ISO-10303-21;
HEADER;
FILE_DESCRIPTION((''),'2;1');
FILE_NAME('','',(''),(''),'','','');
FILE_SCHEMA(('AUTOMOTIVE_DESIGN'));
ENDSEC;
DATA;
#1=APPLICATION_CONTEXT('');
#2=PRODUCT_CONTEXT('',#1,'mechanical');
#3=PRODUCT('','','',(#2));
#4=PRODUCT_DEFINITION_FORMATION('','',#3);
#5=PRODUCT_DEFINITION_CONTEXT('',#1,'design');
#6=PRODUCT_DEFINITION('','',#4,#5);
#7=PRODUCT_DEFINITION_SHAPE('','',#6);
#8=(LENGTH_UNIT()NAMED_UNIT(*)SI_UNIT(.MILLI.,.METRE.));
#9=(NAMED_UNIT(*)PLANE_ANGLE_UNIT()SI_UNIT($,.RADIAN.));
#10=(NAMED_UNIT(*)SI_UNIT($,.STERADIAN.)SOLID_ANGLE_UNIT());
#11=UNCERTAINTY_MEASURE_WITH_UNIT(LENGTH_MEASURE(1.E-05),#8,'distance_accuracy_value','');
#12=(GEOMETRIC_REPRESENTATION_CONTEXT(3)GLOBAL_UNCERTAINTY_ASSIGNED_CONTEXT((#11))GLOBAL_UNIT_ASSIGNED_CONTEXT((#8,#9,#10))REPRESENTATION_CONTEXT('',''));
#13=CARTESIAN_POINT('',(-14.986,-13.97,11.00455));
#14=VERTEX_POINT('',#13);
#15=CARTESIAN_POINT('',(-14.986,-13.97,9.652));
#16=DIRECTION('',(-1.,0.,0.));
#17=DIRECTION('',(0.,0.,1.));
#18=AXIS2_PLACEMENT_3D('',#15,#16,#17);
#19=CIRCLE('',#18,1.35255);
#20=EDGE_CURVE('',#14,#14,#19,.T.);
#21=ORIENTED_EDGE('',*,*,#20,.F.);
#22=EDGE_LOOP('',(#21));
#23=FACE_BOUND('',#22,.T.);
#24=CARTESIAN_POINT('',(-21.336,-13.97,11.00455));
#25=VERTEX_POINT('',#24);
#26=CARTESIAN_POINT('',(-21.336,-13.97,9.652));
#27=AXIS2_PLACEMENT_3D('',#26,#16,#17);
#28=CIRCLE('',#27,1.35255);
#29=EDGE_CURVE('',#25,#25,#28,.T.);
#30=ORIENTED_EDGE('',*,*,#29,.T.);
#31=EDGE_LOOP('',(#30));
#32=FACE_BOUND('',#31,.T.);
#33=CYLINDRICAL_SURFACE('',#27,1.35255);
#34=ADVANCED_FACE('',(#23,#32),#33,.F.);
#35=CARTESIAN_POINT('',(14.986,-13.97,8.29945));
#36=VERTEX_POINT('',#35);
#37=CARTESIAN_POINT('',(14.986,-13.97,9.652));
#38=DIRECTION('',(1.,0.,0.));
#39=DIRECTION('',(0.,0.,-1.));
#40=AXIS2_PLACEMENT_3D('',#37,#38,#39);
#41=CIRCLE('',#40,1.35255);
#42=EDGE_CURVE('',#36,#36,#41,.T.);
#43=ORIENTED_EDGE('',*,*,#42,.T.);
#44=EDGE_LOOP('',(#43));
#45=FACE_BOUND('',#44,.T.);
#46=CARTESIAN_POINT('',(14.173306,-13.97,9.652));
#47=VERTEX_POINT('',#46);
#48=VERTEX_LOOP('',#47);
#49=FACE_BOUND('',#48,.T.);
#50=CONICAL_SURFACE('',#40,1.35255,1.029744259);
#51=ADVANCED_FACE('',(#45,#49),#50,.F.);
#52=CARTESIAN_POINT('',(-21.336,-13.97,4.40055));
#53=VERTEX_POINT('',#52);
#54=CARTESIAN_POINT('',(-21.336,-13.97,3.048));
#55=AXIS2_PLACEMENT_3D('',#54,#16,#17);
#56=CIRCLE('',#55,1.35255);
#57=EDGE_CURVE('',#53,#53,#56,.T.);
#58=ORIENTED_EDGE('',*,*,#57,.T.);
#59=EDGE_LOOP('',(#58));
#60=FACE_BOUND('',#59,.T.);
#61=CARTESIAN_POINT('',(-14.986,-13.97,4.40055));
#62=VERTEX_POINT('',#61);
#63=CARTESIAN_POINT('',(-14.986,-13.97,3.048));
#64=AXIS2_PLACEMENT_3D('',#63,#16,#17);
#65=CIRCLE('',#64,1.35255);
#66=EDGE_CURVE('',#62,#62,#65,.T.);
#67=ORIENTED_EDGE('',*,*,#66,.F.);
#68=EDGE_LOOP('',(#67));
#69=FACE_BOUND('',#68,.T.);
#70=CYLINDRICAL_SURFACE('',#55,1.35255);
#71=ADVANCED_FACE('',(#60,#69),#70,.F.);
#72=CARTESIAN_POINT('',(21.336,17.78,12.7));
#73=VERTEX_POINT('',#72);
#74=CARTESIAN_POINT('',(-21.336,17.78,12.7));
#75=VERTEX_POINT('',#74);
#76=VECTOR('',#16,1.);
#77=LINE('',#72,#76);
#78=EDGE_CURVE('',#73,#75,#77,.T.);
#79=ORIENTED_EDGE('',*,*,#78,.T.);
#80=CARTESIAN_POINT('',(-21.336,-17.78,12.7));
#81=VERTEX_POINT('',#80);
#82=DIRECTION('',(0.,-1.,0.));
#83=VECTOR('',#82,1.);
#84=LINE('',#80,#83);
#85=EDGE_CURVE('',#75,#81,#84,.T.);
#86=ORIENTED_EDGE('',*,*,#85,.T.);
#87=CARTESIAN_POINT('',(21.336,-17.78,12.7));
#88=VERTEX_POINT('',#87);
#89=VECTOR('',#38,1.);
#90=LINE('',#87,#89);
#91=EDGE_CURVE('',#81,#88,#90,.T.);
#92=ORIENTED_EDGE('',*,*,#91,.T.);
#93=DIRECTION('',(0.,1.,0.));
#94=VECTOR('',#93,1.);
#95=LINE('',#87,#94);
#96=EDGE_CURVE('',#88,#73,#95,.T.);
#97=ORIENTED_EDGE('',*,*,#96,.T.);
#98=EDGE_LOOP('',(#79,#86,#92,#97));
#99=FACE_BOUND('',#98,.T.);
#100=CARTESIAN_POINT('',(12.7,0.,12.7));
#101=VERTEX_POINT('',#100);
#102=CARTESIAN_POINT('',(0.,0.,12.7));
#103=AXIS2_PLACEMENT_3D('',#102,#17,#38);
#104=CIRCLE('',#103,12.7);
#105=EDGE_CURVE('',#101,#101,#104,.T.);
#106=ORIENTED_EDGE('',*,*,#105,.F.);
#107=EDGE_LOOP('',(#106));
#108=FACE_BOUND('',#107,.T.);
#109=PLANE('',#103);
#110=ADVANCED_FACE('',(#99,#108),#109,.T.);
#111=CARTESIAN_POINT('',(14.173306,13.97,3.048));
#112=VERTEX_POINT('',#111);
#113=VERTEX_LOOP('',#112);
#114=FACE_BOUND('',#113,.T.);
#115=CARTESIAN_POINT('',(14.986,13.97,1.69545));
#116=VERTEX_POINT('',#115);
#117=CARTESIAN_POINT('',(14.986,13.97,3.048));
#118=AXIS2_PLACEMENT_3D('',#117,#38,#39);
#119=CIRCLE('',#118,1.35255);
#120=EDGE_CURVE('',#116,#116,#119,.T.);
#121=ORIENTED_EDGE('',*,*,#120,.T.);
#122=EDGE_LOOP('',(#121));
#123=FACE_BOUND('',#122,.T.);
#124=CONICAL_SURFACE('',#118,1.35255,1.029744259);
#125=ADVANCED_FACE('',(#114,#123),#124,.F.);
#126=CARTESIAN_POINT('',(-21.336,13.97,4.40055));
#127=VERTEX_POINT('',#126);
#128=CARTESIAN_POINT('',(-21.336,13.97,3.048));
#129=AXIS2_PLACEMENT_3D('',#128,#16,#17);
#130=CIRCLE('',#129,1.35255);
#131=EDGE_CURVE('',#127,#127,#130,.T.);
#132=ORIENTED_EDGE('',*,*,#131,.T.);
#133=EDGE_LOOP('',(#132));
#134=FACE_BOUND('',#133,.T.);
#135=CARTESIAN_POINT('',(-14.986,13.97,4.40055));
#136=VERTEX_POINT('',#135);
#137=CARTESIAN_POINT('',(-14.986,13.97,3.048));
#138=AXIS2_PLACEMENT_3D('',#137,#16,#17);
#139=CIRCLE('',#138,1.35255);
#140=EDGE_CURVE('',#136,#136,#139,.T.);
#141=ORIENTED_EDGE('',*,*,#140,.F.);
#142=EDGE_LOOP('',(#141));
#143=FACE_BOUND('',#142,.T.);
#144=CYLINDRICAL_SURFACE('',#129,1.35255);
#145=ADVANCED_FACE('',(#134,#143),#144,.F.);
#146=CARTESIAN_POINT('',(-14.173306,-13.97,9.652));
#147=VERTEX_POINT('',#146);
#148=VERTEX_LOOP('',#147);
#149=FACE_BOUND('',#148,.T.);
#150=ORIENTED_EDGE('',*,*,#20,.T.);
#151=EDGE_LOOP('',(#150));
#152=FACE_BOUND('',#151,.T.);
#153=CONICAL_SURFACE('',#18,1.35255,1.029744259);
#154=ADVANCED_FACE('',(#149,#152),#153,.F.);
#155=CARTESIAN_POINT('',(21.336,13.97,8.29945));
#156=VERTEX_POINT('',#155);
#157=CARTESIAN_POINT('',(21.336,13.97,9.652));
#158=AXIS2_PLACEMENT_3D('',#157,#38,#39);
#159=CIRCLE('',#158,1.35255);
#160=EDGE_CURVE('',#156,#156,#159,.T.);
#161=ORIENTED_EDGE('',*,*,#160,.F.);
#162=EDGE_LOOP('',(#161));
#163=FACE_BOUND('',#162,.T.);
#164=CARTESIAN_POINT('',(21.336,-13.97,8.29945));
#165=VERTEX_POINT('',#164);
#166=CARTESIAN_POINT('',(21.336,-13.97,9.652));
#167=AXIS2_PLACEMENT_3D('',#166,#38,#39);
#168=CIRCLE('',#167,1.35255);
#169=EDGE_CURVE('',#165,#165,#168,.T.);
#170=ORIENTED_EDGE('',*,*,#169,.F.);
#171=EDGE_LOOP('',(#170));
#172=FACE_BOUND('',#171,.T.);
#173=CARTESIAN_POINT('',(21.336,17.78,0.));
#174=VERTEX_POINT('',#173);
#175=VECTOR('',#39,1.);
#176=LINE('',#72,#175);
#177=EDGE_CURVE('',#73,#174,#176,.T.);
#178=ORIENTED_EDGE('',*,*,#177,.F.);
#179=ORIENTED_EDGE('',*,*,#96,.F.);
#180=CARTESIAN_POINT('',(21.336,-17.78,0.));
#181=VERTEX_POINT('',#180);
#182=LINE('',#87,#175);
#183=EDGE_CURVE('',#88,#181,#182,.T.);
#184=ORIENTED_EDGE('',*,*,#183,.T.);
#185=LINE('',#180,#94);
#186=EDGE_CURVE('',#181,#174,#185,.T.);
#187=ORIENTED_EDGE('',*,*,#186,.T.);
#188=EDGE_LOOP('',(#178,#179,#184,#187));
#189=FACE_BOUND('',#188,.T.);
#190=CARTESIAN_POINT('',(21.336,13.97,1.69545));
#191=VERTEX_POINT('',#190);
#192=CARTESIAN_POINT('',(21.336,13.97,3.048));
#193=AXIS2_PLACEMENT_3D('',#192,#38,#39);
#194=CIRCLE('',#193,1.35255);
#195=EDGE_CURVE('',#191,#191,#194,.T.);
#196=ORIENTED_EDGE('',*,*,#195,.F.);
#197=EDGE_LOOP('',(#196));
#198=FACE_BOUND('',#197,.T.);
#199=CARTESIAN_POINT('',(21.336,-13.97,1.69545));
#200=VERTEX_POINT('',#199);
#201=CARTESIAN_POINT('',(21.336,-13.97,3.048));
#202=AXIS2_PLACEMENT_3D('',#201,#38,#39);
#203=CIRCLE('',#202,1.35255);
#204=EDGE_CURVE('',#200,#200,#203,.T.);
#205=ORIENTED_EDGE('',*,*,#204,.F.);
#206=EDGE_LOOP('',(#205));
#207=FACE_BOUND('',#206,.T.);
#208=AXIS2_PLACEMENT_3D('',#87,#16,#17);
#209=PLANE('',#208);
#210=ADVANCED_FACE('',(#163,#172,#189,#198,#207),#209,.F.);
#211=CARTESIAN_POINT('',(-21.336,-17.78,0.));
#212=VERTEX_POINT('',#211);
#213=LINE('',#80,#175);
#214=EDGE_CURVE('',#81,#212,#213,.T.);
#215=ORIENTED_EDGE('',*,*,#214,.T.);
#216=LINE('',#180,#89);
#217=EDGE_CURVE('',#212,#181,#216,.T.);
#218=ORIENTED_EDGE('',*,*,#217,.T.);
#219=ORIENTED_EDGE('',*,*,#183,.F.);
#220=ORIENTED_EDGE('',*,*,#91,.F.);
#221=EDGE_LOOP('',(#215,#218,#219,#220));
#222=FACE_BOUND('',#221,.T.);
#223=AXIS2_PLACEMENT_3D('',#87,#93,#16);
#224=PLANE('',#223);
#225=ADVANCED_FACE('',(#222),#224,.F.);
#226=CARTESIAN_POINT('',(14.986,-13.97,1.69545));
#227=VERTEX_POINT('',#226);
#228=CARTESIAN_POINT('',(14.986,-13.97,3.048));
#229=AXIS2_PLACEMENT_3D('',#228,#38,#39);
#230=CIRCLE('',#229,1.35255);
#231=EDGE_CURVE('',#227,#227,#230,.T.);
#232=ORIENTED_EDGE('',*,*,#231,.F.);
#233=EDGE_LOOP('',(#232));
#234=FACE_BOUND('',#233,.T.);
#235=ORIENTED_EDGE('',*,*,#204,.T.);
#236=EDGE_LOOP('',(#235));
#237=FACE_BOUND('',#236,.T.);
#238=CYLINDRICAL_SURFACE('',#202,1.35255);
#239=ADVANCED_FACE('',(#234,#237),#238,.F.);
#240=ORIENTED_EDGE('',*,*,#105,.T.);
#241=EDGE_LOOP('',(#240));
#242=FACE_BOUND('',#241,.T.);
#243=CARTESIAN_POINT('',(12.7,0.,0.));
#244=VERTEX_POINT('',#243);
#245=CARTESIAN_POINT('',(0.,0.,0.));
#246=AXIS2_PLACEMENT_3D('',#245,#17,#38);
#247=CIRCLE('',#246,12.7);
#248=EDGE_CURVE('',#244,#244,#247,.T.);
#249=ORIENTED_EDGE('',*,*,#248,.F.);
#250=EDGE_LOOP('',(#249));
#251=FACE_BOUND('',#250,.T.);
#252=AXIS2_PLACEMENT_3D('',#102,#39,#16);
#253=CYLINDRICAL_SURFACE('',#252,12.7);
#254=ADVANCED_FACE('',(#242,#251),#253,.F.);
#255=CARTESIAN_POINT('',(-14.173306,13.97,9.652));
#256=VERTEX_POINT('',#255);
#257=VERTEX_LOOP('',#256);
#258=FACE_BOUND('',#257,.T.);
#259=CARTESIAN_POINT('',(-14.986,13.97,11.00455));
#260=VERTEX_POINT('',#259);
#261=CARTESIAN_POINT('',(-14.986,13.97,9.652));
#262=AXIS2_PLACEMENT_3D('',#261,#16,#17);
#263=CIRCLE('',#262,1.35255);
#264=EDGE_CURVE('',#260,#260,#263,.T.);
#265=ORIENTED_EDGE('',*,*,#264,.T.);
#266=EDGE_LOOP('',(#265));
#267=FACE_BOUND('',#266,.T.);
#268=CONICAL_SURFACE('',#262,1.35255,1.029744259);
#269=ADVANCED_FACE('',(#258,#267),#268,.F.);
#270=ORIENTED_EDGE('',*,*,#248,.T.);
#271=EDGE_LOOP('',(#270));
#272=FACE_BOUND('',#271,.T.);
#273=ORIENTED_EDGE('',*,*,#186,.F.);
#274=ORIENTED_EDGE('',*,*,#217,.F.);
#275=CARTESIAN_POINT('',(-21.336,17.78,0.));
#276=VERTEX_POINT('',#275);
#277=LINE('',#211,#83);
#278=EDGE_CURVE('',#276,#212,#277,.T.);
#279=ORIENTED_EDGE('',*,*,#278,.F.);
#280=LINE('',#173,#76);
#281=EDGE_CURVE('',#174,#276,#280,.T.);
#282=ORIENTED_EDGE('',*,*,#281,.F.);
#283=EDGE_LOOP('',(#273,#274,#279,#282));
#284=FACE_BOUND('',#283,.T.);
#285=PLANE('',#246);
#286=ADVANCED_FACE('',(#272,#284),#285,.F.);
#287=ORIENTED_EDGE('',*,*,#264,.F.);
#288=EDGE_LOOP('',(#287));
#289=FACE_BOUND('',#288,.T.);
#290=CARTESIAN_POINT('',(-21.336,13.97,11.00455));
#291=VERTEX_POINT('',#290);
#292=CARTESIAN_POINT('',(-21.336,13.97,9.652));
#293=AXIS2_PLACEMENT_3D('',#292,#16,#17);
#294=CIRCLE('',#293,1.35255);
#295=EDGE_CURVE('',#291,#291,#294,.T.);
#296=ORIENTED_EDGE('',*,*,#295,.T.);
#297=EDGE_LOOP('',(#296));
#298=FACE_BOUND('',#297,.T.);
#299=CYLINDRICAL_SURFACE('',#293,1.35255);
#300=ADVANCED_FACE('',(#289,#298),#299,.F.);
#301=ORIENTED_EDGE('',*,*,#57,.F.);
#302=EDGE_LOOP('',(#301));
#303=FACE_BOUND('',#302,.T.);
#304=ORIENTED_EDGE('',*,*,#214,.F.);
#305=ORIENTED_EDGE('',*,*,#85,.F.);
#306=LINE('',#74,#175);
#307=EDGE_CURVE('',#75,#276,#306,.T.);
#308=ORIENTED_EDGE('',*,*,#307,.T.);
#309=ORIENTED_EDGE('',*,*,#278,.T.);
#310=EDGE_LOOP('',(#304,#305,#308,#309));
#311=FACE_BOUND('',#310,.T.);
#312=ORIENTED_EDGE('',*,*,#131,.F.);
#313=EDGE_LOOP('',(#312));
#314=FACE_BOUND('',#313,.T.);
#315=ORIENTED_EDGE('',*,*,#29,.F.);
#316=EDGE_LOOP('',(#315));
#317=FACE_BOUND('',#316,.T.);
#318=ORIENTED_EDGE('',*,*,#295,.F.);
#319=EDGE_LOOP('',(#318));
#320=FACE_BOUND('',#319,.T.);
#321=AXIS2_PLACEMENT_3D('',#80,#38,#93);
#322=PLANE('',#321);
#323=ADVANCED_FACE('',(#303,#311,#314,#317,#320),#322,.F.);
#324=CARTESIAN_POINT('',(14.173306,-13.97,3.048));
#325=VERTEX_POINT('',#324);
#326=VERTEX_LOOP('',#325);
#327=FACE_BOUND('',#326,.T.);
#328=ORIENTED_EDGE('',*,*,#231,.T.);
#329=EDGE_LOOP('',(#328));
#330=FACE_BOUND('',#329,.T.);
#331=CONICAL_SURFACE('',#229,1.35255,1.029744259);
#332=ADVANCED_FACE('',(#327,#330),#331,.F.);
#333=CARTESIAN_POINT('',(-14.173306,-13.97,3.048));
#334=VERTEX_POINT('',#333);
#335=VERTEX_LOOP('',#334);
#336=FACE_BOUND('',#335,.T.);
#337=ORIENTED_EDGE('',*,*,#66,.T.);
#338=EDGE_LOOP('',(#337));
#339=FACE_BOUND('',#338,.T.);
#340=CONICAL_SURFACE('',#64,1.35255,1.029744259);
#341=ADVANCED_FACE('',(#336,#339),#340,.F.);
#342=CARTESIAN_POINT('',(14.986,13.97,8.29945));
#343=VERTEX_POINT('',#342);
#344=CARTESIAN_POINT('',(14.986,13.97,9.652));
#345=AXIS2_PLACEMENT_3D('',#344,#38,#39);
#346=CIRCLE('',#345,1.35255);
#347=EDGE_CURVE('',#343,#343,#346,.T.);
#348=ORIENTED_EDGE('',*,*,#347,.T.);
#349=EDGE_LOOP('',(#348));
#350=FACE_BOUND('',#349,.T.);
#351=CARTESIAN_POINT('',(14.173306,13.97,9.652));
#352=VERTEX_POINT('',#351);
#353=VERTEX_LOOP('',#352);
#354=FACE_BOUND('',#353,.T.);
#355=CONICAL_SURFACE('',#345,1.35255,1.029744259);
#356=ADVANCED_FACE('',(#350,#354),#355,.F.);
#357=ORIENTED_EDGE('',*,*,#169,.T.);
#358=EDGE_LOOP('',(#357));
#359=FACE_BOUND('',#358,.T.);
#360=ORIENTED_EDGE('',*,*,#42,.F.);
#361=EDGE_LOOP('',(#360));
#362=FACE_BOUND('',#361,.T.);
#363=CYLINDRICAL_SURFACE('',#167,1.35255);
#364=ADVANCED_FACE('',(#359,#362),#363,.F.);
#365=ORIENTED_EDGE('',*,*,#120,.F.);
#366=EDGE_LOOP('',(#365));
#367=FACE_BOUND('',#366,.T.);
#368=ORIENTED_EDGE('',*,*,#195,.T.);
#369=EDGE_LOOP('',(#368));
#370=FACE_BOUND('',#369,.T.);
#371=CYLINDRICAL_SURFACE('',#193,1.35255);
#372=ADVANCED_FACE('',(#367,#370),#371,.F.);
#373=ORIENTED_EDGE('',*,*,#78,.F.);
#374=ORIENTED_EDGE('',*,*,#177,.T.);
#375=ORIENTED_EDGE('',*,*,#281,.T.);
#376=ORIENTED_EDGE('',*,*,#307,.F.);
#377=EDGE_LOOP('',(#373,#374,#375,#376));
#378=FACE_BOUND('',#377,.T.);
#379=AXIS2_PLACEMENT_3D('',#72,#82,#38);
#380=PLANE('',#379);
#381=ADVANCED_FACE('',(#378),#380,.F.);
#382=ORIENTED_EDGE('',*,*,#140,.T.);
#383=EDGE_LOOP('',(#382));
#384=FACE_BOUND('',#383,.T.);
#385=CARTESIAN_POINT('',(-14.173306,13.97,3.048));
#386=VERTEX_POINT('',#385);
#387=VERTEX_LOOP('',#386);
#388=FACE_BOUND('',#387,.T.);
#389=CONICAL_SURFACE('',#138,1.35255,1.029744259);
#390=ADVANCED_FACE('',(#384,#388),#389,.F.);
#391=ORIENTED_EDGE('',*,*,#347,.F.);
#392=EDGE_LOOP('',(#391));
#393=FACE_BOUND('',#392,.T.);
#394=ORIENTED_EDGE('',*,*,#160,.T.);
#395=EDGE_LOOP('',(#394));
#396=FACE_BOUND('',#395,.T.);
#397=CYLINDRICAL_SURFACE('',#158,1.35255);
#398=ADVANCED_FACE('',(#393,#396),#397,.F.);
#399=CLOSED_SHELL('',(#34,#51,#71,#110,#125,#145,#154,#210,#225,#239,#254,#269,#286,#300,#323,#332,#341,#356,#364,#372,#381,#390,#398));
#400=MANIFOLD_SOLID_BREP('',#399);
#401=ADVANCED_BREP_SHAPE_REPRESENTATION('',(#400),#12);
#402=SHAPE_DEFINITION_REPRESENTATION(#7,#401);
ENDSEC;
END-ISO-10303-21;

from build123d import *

# Parameters (mm, degrees)
SKETCH2_W                          = 42.672
SKETCH2_H                          = 35.56
SKETCH2_R                          = 12.7
BOSS_EXTRUDE1_DEPTH                = 12.7
TAP_DRILL_FOR_6_32_TAP1_AT_2_COUNT = 2
TAP_DRILL_FOR_6_32_TAP1_AT_2_PITCH = 27.94
TAP_DRILL_FOR_6_32_TAP1_AT_3_COUNT = 2
TAP_DRILL_FOR_6_32_TAP1_AT_3_PITCH = 6.604
TAP_DRILL_FOR_6_32_TAP1_AT_4_COUNT = 2
TAP_DRILL_FOR_6_32_TAP1_AT_4_PITCH = 28.709866179


with BuildPart() as part:
    # Sketch2 → Boss-Extrude1 (new body)
    with BuildSketch(Plane.XY):
        Rectangle(SKETCH2_W, SKETCH2_H)
        Circle(SKETCH2_R, mode=Mode.SUBTRACT)
    extrude(amount=BOSS_EXTRUDE1_DEPTH)

    # Sketch4 → Tap Drill for #6-32 Tap1 (revolve, cut)
    with BuildSketch(Plane(origin=(21.336, 13.97, 3.048), x_dir=(0, 0, -1), z_dir=(0, 1, 0))):
        Polygon((0, 0), (0, 7.16269403), (1.35255, 6.35), (1.35255, 0), align=None)
    tap_drill_for_6_32_tap1 = revolve(axis=Axis((27.686, 13.97, 3.048), (-1, 0, 0)), mode=Mode.SUBTRACT)

    # Tap Drill for #6-32 Tap1 at 2: Tap Drill for #6-32 Tap1 ×2
    with Locations(*[(0, -i * TAP_DRILL_FOR_6_32_TAP1_AT_2_PITCH, 0) for i in range(1, TAP_DRILL_FOR_6_32_TAP1_AT_2_COUNT)]):
        add(tap_drill_for_6_32_tap1, mode=Mode.SUBTRACT)

    # Tap Drill for #6-32 Tap1 at 3: Tap Drill for #6-32 Tap1 ×2
    with Locations(*[(0, 0, i * TAP_DRILL_FOR_6_32_TAP1_AT_3_PITCH) for i in range(1, TAP_DRILL_FOR_6_32_TAP1_AT_3_COUNT)]):
        add(tap_drill_for_6_32_tap1, mode=Mode.SUBTRACT)

    # Tap Drill for #6-32 Tap1 at 4: Tap Drill for #6-32 Tap1 ×2
    with Locations(*[Vector(0, -0.9731846127764102, 0.23002545392896967) * (i * TAP_DRILL_FOR_6_32_TAP1_AT_4_PITCH) for i in range(1, TAP_DRILL_FOR_6_32_TAP1_AT_4_COUNT)]):
        add(tap_drill_for_6_32_tap1, mode=Mode.SUBTRACT)

    # Mirror1: Tap Drill for #6-32 Tap1 across plane
    add(tap_drill_for_6_32_tap1.mirror(Plane(origin=(0, 0, 0), x_dir=(0, 0, 1), z_dir=(1, 0, 0))), mode=Mode.SUBTRACT)

    # Mirror1 copy 1 sketch → Mirror1 copy 1 (revolve, cut)
    with BuildSketch(Plane(origin=(-21.336, -13.97, 3.048), x_dir=(0, 0, -1), z_dir=(0, 1, 0))):
        Polygon((0, 0), (0, -7.16269403), (1.35255, -6.35), (1.35255, 0), align=None)
    revolve(axis=Axis((-27.686, -13.97, 3.048), (-1, 0, 0)), mode=Mode.SUBTRACT)

    # Mirror1 copy 2 sketch → Mirror1 copy 2 (revolve, cut)
    with BuildSketch(Plane(origin=(-21.336, 13.97, 9.652), x_dir=(0, 0, -1), z_dir=(0, 1, 0))):
        Polygon((0, 0), (0, -7.16269403), (1.35255, -6.35), (1.35255, 0), align=None)
    revolve(axis=Axis((-27.686, 13.97, 9.652), (-1, 0, 0)), mode=Mode.SUBTRACT)

    # Mirror1 copy 3 sketch → Mirror1 copy 3 (revolve, cut)
    with BuildSketch(Plane(origin=(-21.336, -13.97, 9.652), x_dir=(0, 0, -1), z_dir=(0, 1, 0))):
        Polygon((0, 0), (0, -7.16269403), (1.35255, -6.35), (1.35255, 0), align=None)
    revolve(axis=Axis((-27.686, -13.97, 9.652), (-1, 0, 0)), mode=Mode.SUBTRACT)


solid = part.part
